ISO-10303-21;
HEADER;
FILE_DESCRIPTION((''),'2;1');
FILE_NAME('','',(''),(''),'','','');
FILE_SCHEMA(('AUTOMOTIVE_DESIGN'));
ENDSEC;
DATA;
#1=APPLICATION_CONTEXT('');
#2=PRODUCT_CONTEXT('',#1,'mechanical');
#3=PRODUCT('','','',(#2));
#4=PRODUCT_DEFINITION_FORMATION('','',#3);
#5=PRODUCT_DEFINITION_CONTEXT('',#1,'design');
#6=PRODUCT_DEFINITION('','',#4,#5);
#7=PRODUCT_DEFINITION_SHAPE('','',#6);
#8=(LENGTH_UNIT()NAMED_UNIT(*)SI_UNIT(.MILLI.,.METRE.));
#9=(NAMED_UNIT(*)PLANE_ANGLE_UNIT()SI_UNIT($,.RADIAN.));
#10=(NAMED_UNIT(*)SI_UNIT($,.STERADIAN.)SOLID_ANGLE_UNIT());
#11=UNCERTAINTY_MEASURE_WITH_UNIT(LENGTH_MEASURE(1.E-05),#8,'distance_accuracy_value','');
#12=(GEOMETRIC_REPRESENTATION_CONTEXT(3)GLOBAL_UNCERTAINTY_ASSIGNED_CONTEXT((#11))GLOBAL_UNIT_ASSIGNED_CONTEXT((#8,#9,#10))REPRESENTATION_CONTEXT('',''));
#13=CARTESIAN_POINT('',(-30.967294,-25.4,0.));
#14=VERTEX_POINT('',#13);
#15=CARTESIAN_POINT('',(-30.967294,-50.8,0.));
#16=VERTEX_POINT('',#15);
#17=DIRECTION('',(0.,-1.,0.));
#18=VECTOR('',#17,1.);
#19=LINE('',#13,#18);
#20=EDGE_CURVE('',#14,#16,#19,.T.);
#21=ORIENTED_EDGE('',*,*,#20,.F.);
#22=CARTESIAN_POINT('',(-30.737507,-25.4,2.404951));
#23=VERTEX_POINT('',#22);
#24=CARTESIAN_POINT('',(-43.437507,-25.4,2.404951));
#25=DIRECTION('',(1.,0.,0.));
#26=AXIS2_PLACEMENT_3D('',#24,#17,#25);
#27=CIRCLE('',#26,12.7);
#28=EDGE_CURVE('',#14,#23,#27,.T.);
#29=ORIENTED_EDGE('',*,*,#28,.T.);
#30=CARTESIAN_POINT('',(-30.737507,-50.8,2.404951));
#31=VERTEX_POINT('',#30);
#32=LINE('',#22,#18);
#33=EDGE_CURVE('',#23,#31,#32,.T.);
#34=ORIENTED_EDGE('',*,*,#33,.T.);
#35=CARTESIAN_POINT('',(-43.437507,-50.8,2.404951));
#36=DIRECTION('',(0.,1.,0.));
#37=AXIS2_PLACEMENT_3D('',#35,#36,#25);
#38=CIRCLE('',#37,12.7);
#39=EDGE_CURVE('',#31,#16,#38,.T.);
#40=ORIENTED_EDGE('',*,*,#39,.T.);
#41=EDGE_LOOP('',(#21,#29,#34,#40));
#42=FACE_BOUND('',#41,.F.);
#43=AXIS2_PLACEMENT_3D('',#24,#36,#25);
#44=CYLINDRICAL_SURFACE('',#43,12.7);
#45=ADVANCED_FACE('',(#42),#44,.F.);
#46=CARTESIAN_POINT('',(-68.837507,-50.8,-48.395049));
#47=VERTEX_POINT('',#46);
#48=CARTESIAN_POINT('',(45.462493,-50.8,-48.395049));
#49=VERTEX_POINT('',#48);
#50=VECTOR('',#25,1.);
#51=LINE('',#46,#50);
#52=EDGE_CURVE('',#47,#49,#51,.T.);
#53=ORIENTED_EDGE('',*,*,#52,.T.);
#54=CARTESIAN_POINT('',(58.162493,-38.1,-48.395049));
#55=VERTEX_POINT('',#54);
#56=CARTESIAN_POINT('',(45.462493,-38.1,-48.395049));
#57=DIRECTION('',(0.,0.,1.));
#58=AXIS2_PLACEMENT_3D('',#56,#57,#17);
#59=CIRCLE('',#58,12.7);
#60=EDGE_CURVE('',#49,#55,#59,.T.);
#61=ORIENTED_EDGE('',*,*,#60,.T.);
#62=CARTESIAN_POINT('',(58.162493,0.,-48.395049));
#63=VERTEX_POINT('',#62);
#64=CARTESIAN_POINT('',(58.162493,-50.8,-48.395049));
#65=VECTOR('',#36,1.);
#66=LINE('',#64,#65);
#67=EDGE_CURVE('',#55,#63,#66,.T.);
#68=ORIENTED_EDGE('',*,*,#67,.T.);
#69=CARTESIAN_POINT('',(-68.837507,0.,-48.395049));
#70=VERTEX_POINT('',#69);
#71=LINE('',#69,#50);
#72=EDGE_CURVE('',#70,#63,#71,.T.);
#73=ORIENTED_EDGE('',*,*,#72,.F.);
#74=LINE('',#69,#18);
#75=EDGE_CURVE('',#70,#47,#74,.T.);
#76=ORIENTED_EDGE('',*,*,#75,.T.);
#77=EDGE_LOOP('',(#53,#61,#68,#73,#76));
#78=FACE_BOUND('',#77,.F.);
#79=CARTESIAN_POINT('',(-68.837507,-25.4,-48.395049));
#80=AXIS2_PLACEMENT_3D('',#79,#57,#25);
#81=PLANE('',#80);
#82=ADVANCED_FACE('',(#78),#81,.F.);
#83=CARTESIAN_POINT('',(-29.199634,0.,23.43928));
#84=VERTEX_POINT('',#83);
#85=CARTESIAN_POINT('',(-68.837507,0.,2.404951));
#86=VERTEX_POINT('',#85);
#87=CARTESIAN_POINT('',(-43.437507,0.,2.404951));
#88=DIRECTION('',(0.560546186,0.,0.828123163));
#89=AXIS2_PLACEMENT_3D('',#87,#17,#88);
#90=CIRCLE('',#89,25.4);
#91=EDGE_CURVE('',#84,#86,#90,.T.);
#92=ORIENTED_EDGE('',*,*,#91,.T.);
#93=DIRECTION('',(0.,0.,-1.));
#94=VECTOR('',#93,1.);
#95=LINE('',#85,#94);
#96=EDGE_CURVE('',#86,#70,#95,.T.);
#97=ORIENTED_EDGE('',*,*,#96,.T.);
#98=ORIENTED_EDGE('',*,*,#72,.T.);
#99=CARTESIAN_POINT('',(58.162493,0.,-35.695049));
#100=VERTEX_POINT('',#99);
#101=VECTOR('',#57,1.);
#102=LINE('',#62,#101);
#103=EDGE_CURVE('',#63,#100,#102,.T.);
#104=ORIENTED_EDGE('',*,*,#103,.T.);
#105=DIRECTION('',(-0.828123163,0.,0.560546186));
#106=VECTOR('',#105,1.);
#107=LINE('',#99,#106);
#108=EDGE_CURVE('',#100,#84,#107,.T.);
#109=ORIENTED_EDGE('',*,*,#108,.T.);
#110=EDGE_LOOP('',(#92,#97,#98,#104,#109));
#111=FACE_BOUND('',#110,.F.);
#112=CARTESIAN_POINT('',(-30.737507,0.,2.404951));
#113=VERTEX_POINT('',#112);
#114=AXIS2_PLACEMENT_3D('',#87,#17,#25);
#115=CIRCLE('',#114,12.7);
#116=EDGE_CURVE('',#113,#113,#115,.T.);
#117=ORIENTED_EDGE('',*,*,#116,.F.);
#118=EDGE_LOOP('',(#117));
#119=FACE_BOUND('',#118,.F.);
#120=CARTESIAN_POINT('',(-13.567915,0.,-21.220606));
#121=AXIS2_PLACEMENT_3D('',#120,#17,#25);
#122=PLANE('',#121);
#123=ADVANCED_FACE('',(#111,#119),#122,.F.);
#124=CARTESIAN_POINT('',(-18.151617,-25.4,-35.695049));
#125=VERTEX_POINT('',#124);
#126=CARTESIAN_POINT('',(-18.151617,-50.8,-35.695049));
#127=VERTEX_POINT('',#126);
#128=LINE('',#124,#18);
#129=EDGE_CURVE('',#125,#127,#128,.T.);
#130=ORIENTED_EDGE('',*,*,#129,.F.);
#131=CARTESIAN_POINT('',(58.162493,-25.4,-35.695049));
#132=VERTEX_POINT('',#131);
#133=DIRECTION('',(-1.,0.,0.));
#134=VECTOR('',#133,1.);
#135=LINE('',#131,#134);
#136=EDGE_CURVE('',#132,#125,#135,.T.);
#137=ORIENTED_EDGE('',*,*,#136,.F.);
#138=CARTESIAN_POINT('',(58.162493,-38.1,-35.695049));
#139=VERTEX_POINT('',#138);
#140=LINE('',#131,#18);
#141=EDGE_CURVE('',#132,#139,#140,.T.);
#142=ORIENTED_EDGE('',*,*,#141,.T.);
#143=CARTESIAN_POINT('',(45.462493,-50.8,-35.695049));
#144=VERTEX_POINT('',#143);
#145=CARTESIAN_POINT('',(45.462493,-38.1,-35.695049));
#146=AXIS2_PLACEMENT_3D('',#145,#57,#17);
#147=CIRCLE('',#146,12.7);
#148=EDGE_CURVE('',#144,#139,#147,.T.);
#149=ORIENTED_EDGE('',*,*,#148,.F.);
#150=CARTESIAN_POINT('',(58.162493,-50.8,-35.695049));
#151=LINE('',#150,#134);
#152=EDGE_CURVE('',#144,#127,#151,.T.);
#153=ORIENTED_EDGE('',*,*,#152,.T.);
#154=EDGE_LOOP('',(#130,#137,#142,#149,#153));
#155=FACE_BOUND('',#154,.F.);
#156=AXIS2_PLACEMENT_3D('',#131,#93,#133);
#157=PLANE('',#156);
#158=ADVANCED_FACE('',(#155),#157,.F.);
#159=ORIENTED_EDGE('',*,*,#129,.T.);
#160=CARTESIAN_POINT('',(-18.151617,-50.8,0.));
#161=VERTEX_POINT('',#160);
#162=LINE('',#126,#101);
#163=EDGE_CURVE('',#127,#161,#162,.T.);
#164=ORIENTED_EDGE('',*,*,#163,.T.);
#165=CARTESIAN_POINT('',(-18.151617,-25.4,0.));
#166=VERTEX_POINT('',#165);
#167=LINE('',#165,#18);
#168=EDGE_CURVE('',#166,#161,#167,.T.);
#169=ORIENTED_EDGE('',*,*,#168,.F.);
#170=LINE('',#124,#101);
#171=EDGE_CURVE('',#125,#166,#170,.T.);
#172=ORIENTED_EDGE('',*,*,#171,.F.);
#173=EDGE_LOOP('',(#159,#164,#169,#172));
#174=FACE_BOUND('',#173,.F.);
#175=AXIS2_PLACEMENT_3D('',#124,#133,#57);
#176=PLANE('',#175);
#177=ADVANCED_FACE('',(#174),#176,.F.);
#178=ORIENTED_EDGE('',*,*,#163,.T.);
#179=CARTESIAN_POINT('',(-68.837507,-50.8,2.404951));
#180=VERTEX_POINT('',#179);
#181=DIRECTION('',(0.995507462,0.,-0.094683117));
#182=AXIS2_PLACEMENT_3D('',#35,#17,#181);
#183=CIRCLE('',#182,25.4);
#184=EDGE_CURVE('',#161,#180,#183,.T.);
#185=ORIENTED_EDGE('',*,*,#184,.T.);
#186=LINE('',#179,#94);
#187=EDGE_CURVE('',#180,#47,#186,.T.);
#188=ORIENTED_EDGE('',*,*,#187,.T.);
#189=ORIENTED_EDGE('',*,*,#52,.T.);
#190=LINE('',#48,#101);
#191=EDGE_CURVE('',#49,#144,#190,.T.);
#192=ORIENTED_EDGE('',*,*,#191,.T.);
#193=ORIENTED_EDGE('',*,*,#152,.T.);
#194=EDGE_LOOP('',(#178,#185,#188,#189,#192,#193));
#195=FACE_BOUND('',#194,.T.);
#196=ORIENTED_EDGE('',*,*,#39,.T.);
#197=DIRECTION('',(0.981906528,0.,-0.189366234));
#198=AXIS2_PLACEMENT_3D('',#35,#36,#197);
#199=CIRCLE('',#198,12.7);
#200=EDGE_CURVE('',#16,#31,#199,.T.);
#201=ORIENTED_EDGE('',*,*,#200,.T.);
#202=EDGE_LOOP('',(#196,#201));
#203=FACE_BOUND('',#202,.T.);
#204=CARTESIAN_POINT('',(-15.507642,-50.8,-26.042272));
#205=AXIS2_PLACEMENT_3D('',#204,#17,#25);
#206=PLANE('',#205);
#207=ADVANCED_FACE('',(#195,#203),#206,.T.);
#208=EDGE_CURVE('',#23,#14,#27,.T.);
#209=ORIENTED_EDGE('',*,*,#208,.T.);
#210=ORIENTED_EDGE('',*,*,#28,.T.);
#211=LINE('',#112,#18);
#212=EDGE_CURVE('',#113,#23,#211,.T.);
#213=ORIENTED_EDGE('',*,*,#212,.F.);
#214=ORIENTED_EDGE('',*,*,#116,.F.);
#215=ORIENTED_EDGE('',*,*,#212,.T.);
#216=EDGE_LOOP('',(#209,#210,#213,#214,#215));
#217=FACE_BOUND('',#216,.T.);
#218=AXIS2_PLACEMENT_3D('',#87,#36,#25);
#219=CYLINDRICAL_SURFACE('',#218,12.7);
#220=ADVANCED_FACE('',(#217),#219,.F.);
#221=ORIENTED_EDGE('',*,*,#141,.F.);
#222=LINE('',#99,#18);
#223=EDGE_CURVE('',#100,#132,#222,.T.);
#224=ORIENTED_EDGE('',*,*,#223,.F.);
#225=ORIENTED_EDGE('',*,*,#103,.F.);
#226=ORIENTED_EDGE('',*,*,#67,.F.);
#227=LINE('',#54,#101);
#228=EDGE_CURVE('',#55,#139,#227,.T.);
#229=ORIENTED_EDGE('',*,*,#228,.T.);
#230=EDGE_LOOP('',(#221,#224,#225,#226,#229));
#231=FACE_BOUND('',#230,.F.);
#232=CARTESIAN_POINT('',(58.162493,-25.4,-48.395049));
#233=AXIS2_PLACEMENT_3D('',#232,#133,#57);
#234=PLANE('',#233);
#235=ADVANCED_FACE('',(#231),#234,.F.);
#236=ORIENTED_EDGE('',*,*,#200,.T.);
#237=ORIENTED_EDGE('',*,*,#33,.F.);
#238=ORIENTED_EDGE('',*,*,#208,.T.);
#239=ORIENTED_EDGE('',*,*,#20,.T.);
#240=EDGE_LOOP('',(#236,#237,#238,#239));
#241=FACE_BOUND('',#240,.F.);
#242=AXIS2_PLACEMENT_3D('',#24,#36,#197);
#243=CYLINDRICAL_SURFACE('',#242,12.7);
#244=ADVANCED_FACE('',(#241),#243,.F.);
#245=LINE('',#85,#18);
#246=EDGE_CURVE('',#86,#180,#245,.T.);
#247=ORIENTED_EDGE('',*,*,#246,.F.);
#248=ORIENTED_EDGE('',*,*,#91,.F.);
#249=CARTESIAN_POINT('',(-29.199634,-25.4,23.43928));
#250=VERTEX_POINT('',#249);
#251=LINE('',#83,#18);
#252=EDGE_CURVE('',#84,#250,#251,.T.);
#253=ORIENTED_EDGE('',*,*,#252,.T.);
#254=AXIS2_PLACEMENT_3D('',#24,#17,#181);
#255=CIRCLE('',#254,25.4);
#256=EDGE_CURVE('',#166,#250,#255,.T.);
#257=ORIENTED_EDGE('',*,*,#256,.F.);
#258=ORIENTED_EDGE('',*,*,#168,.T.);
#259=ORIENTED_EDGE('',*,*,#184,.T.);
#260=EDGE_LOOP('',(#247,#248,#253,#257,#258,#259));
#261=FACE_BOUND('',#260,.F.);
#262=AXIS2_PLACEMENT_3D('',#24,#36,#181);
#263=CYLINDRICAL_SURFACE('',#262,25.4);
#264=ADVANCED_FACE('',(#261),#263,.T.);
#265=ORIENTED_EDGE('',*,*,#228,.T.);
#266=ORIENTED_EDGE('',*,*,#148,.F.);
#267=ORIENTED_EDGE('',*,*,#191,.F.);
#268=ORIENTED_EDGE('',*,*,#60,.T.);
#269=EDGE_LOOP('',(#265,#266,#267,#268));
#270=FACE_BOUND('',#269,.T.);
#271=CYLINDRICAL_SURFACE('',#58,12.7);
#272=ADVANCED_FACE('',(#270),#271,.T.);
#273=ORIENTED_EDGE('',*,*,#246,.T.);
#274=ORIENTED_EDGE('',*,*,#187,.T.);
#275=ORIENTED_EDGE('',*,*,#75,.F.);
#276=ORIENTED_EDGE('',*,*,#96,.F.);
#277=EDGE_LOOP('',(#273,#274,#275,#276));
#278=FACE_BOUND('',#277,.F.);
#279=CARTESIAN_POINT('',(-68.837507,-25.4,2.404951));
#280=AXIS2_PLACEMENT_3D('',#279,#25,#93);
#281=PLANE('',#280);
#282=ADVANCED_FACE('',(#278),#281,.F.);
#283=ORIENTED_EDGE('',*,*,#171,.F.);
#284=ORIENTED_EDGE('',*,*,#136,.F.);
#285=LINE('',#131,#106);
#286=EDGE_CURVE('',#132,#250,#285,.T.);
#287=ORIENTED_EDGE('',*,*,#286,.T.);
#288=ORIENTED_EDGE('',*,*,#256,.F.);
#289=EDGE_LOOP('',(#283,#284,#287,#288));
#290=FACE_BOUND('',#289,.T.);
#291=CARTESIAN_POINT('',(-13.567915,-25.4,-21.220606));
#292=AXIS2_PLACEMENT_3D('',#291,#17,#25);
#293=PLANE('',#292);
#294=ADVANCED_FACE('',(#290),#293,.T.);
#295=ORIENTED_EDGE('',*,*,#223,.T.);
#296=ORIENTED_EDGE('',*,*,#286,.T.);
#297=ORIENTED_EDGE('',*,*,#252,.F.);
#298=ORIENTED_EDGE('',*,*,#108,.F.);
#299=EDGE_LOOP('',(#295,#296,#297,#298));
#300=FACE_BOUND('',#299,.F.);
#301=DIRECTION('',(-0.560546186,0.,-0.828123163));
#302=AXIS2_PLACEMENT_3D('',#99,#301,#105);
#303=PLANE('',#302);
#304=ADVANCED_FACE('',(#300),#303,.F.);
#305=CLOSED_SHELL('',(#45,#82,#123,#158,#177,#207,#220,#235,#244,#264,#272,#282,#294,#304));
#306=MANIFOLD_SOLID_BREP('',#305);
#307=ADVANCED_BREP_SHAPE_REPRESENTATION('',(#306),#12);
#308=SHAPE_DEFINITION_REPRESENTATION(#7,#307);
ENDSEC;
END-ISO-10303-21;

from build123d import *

# Parameters (mm, degrees)
F0_R     = 12.7
F1_DEPTH = 25.4
F3_DEPTH = 25.4
F4_R     = 12.7


with BuildPart() as f1:
    # F0 (on Front) → F1 (new body)
    with BuildSketch(Plane.XZ):
        with BuildLine():
            Line((58.1624929965, -35.6950488269), (-29.1996338754, 23.4392795148))
            ThreePointArc((-29.1996338754, 23.4392795148), (-55.3437663352, 24.841550486), (-68.8375070035, 2.4049511731))
            Line((-68.8375070035, 2.4049511731), (-68.8375070035, -48.3950488269))
            Line((-68.8375070035, -48.3950488269), (58.1624929965, -48.3950488269))
            Line((58.1624929965, -48.3950488269), (58.1624929965, -35.6950488269))
        make_face()
        with Locations((-43.4375070035, 2.4049511731)):
            Circle(F0_R, mode=Mode.SUBTRACT)
    extrude(amount=F1_DEPTH)

    # F2 (on face) → F3 (join)
    with BuildSketch(Plane.XZ.offset(25.4)):
        with BuildLine():
            Line((-18.151617463, -35.6950488269), (-18.151617463, 0))
            ThreePointArc((-18.151617463, 0), (-20.4618261667, 13.2344520888), (-29.1996338754, 23.4392795148))
            ThreePointArc((-29.1996338754, 23.4392795148), (-55.3437663352, 24.841550486), (-68.8375070035, 2.4049511731))
            Line((-68.8375070035, 2.4049511731), (-68.8375070035, -35.6950488269))
            Line((-68.8375070035, -35.6950488269), (-68.8375070035, -48.3950488269))
            Line((-68.8375070035, -48.3950488269), (58.1624929965, -48.3950488269))
            Line((58.1624929965, -48.3950488269), (58.1624929965, -35.6950488269))
            Line((58.1624929965, -35.6950488269), (-18.151617463, -35.6950488269))
        make_face()
        with BuildLine():
            ThreePointArc((-30.9672941002, 0), (-56.0799297119, 3.6129031852), (-30.7375070035, 2.4049511731))
            ThreePointArc((-30.7375070035, 2.4049511731), (-30.7950842952, 1.1969991609), (-30.9672941002, 0))
        make_face(mode=Mode.SUBTRACT)
    extrude(amount=F3_DEPTH)

    # F4
    f4_edges = [f1.edges().sort_by_distance(p)[0] for p in [
        (58.162493, -50.8, -42.045049),
    ]]
    fillet(f4_edges, radius=F4_R)


solid = f1.part
